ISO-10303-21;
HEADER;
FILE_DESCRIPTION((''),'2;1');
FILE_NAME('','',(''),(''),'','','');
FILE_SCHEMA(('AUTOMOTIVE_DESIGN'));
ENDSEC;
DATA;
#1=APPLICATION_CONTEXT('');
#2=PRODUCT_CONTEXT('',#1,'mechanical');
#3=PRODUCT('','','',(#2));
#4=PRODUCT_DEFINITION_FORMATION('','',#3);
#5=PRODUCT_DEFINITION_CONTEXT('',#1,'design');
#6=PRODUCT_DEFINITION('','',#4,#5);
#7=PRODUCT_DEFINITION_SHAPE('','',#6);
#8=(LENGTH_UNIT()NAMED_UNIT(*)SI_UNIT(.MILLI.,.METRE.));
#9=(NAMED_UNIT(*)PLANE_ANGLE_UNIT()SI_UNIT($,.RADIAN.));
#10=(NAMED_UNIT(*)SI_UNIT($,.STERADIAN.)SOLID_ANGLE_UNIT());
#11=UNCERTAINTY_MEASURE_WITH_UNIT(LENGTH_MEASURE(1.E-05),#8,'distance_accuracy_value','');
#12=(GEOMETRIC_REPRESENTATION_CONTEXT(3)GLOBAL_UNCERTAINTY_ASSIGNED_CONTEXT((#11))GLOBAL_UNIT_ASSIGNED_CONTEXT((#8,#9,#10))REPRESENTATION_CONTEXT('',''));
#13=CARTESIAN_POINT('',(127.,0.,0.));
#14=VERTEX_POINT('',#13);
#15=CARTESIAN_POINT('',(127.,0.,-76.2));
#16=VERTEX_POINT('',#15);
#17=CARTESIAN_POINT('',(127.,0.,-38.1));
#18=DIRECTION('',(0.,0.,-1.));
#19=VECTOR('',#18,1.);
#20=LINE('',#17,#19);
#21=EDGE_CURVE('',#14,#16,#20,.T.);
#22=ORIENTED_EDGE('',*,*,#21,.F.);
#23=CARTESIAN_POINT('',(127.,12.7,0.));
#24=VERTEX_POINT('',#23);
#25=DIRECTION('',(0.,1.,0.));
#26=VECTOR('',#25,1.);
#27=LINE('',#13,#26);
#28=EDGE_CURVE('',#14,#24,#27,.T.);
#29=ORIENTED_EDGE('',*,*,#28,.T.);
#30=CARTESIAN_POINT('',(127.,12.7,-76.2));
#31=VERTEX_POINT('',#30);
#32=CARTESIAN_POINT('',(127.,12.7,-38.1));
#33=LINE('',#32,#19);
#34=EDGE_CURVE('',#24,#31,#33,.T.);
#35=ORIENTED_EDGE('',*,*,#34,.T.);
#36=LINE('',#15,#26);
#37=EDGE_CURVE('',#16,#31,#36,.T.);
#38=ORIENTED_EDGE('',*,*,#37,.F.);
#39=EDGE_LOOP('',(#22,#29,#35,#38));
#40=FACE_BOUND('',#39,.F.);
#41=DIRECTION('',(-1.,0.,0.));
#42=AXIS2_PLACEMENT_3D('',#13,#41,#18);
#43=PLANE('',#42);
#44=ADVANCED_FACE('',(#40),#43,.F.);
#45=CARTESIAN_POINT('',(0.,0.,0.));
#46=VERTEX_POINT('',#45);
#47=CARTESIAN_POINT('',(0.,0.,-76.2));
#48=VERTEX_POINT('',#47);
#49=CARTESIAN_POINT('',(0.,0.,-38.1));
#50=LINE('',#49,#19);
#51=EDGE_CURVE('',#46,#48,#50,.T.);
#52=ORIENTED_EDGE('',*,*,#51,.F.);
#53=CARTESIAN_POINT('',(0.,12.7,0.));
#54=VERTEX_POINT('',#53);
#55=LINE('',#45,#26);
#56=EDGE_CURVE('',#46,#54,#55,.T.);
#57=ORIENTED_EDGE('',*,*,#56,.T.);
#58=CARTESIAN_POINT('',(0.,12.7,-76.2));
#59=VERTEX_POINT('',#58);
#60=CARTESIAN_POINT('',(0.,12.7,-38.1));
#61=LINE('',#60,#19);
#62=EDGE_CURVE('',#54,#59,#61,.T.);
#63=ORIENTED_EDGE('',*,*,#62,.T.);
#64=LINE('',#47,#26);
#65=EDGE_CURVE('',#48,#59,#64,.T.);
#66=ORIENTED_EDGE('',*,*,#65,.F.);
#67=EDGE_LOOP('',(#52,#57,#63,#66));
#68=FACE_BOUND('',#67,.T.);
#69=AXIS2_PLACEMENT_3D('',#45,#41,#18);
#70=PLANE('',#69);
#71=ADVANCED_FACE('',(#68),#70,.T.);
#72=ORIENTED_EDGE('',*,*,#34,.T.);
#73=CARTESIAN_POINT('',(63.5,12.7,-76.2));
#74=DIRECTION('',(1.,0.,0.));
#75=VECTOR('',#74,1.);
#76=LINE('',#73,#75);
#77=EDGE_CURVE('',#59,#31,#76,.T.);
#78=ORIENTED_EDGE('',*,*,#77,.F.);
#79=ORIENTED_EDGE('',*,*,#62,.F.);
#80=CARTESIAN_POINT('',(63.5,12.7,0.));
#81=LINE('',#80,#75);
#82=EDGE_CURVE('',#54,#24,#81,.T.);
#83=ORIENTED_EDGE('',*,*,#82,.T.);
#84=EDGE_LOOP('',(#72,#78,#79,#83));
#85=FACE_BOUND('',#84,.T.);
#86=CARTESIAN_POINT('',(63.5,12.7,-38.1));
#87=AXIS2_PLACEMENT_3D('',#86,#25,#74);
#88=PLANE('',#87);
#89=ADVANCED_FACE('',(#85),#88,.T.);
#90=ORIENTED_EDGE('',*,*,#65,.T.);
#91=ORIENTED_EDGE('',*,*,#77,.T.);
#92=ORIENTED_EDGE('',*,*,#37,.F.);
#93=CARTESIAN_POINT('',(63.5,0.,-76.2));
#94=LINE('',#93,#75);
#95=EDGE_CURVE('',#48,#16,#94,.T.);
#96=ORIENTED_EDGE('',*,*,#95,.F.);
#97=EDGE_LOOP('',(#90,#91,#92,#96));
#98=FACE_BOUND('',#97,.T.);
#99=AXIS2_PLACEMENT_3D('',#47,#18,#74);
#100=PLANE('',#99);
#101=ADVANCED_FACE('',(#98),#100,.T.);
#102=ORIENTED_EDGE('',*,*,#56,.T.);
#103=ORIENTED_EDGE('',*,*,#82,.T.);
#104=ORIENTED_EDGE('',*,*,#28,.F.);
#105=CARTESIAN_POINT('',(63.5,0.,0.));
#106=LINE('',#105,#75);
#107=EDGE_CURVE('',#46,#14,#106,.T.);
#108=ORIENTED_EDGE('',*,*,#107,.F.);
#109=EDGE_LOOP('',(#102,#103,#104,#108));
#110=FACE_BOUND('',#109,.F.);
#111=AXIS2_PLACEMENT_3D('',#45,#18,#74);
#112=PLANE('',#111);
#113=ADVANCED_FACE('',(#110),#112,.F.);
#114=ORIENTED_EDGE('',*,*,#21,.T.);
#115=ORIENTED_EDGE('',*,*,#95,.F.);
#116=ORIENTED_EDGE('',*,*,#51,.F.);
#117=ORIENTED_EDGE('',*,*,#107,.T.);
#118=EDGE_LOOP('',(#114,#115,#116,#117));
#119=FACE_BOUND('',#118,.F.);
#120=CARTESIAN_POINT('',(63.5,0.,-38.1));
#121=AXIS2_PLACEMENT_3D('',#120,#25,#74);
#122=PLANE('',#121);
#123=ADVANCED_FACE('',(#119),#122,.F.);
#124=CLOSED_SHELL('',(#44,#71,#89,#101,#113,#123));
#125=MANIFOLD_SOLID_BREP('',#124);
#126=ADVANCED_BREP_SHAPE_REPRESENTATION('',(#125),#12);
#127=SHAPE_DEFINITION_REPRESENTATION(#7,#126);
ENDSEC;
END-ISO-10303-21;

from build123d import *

# Parameters (mm, degrees)
SKETCH1_W           = 127
SKETCH1_H           = 76.2
BOSS_EXTRUDE1_DEPTH = 12.7


with BuildPart() as part:
    # Sketch1 → Boss-Extrude1 (new body)
    with BuildSketch(Plane(origin=(0, 0, 0), x_dir=(1, 0, 0), z_dir=(0, 1, 0))):
        with Locations((63.5, 38.1)):
            Rectangle(SKETCH1_W, SKETCH1_H)
    extrude(amount=BOSS_EXTRUDE1_DEPTH)


solid = part.part
